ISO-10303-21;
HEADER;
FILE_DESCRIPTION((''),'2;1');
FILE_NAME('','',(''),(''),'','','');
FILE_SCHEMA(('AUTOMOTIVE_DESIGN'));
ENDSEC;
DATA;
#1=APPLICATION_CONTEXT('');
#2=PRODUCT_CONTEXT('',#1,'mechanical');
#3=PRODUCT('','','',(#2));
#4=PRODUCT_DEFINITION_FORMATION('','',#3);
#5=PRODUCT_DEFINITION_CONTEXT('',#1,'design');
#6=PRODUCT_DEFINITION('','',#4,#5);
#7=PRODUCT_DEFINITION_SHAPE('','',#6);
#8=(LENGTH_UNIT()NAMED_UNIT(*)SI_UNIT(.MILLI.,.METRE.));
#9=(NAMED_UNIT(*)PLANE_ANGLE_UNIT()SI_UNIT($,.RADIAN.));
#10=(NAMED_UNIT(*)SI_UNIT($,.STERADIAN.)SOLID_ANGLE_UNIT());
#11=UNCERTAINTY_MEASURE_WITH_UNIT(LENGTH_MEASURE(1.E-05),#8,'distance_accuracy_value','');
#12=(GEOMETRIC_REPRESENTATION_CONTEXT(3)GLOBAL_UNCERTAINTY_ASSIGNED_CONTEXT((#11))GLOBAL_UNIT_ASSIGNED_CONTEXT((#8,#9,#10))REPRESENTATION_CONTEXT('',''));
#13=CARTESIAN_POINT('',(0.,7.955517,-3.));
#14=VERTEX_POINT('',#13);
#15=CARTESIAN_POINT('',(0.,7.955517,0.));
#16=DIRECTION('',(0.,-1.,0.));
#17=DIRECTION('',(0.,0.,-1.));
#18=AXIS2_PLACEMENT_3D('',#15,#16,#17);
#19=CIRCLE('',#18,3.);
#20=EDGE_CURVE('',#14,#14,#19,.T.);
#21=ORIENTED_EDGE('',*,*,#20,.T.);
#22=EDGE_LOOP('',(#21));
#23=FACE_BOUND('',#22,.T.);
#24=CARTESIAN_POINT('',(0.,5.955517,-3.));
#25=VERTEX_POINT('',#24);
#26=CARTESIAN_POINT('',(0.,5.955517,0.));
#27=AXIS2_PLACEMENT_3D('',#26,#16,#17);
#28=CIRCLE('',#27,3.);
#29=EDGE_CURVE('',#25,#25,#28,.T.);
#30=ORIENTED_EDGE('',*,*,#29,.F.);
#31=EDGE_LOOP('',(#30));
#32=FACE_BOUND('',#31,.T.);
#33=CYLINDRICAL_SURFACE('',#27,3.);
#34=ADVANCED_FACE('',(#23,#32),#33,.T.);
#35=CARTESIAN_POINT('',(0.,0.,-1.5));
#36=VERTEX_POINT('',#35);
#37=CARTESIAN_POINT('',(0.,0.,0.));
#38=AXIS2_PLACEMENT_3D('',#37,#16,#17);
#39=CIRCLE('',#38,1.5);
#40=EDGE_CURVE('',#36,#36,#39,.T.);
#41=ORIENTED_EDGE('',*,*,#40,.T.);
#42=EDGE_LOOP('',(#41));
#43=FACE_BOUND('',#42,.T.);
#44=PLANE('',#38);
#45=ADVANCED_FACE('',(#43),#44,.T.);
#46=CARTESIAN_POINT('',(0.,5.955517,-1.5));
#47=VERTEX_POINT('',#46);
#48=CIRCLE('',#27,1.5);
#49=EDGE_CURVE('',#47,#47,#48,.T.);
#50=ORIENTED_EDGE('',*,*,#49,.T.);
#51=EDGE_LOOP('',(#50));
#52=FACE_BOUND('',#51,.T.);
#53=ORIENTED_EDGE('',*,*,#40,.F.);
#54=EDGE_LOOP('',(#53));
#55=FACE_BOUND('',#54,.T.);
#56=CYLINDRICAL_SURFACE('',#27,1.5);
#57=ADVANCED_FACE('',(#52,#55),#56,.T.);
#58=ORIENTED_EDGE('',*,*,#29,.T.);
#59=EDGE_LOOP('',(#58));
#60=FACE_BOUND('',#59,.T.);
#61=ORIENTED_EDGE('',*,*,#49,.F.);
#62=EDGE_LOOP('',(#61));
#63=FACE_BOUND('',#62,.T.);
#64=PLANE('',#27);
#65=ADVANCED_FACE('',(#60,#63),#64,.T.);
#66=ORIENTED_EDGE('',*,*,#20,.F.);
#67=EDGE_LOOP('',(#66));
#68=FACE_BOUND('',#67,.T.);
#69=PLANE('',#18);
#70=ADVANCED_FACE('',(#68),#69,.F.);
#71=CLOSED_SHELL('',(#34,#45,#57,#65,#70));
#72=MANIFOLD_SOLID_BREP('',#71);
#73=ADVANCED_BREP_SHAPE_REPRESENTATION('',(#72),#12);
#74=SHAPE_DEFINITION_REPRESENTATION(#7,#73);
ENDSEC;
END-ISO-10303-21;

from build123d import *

# Parameters (mm, degrees)
SKETCH1_W = 1.5
SKETCH1_H = 5.955517261


with BuildPart() as part:
    # Sketch1 → Revolve1 (revolve)
    with BuildSketch(Plane.XY, mode=Mode.PRIVATE) as revolve1_sk:
        Polygon((0, 7.955517261), (0, 5.955517261), (1.5, 5.955517261), (3, 5.955517261), (3, 7.955517261), align=None)
        with Locations((0.75, 2.977758631)):
            Rectangle(SKETCH1_W, SKETCH1_H)
    revolve(revolve1_sk.sketch.rotate(Axis((0, 5.955517261, 0), (0, 1, 0)), 90), axis=Axis((0, 5.955517261, 0), (0, 1, 0)))


solid = part.part
